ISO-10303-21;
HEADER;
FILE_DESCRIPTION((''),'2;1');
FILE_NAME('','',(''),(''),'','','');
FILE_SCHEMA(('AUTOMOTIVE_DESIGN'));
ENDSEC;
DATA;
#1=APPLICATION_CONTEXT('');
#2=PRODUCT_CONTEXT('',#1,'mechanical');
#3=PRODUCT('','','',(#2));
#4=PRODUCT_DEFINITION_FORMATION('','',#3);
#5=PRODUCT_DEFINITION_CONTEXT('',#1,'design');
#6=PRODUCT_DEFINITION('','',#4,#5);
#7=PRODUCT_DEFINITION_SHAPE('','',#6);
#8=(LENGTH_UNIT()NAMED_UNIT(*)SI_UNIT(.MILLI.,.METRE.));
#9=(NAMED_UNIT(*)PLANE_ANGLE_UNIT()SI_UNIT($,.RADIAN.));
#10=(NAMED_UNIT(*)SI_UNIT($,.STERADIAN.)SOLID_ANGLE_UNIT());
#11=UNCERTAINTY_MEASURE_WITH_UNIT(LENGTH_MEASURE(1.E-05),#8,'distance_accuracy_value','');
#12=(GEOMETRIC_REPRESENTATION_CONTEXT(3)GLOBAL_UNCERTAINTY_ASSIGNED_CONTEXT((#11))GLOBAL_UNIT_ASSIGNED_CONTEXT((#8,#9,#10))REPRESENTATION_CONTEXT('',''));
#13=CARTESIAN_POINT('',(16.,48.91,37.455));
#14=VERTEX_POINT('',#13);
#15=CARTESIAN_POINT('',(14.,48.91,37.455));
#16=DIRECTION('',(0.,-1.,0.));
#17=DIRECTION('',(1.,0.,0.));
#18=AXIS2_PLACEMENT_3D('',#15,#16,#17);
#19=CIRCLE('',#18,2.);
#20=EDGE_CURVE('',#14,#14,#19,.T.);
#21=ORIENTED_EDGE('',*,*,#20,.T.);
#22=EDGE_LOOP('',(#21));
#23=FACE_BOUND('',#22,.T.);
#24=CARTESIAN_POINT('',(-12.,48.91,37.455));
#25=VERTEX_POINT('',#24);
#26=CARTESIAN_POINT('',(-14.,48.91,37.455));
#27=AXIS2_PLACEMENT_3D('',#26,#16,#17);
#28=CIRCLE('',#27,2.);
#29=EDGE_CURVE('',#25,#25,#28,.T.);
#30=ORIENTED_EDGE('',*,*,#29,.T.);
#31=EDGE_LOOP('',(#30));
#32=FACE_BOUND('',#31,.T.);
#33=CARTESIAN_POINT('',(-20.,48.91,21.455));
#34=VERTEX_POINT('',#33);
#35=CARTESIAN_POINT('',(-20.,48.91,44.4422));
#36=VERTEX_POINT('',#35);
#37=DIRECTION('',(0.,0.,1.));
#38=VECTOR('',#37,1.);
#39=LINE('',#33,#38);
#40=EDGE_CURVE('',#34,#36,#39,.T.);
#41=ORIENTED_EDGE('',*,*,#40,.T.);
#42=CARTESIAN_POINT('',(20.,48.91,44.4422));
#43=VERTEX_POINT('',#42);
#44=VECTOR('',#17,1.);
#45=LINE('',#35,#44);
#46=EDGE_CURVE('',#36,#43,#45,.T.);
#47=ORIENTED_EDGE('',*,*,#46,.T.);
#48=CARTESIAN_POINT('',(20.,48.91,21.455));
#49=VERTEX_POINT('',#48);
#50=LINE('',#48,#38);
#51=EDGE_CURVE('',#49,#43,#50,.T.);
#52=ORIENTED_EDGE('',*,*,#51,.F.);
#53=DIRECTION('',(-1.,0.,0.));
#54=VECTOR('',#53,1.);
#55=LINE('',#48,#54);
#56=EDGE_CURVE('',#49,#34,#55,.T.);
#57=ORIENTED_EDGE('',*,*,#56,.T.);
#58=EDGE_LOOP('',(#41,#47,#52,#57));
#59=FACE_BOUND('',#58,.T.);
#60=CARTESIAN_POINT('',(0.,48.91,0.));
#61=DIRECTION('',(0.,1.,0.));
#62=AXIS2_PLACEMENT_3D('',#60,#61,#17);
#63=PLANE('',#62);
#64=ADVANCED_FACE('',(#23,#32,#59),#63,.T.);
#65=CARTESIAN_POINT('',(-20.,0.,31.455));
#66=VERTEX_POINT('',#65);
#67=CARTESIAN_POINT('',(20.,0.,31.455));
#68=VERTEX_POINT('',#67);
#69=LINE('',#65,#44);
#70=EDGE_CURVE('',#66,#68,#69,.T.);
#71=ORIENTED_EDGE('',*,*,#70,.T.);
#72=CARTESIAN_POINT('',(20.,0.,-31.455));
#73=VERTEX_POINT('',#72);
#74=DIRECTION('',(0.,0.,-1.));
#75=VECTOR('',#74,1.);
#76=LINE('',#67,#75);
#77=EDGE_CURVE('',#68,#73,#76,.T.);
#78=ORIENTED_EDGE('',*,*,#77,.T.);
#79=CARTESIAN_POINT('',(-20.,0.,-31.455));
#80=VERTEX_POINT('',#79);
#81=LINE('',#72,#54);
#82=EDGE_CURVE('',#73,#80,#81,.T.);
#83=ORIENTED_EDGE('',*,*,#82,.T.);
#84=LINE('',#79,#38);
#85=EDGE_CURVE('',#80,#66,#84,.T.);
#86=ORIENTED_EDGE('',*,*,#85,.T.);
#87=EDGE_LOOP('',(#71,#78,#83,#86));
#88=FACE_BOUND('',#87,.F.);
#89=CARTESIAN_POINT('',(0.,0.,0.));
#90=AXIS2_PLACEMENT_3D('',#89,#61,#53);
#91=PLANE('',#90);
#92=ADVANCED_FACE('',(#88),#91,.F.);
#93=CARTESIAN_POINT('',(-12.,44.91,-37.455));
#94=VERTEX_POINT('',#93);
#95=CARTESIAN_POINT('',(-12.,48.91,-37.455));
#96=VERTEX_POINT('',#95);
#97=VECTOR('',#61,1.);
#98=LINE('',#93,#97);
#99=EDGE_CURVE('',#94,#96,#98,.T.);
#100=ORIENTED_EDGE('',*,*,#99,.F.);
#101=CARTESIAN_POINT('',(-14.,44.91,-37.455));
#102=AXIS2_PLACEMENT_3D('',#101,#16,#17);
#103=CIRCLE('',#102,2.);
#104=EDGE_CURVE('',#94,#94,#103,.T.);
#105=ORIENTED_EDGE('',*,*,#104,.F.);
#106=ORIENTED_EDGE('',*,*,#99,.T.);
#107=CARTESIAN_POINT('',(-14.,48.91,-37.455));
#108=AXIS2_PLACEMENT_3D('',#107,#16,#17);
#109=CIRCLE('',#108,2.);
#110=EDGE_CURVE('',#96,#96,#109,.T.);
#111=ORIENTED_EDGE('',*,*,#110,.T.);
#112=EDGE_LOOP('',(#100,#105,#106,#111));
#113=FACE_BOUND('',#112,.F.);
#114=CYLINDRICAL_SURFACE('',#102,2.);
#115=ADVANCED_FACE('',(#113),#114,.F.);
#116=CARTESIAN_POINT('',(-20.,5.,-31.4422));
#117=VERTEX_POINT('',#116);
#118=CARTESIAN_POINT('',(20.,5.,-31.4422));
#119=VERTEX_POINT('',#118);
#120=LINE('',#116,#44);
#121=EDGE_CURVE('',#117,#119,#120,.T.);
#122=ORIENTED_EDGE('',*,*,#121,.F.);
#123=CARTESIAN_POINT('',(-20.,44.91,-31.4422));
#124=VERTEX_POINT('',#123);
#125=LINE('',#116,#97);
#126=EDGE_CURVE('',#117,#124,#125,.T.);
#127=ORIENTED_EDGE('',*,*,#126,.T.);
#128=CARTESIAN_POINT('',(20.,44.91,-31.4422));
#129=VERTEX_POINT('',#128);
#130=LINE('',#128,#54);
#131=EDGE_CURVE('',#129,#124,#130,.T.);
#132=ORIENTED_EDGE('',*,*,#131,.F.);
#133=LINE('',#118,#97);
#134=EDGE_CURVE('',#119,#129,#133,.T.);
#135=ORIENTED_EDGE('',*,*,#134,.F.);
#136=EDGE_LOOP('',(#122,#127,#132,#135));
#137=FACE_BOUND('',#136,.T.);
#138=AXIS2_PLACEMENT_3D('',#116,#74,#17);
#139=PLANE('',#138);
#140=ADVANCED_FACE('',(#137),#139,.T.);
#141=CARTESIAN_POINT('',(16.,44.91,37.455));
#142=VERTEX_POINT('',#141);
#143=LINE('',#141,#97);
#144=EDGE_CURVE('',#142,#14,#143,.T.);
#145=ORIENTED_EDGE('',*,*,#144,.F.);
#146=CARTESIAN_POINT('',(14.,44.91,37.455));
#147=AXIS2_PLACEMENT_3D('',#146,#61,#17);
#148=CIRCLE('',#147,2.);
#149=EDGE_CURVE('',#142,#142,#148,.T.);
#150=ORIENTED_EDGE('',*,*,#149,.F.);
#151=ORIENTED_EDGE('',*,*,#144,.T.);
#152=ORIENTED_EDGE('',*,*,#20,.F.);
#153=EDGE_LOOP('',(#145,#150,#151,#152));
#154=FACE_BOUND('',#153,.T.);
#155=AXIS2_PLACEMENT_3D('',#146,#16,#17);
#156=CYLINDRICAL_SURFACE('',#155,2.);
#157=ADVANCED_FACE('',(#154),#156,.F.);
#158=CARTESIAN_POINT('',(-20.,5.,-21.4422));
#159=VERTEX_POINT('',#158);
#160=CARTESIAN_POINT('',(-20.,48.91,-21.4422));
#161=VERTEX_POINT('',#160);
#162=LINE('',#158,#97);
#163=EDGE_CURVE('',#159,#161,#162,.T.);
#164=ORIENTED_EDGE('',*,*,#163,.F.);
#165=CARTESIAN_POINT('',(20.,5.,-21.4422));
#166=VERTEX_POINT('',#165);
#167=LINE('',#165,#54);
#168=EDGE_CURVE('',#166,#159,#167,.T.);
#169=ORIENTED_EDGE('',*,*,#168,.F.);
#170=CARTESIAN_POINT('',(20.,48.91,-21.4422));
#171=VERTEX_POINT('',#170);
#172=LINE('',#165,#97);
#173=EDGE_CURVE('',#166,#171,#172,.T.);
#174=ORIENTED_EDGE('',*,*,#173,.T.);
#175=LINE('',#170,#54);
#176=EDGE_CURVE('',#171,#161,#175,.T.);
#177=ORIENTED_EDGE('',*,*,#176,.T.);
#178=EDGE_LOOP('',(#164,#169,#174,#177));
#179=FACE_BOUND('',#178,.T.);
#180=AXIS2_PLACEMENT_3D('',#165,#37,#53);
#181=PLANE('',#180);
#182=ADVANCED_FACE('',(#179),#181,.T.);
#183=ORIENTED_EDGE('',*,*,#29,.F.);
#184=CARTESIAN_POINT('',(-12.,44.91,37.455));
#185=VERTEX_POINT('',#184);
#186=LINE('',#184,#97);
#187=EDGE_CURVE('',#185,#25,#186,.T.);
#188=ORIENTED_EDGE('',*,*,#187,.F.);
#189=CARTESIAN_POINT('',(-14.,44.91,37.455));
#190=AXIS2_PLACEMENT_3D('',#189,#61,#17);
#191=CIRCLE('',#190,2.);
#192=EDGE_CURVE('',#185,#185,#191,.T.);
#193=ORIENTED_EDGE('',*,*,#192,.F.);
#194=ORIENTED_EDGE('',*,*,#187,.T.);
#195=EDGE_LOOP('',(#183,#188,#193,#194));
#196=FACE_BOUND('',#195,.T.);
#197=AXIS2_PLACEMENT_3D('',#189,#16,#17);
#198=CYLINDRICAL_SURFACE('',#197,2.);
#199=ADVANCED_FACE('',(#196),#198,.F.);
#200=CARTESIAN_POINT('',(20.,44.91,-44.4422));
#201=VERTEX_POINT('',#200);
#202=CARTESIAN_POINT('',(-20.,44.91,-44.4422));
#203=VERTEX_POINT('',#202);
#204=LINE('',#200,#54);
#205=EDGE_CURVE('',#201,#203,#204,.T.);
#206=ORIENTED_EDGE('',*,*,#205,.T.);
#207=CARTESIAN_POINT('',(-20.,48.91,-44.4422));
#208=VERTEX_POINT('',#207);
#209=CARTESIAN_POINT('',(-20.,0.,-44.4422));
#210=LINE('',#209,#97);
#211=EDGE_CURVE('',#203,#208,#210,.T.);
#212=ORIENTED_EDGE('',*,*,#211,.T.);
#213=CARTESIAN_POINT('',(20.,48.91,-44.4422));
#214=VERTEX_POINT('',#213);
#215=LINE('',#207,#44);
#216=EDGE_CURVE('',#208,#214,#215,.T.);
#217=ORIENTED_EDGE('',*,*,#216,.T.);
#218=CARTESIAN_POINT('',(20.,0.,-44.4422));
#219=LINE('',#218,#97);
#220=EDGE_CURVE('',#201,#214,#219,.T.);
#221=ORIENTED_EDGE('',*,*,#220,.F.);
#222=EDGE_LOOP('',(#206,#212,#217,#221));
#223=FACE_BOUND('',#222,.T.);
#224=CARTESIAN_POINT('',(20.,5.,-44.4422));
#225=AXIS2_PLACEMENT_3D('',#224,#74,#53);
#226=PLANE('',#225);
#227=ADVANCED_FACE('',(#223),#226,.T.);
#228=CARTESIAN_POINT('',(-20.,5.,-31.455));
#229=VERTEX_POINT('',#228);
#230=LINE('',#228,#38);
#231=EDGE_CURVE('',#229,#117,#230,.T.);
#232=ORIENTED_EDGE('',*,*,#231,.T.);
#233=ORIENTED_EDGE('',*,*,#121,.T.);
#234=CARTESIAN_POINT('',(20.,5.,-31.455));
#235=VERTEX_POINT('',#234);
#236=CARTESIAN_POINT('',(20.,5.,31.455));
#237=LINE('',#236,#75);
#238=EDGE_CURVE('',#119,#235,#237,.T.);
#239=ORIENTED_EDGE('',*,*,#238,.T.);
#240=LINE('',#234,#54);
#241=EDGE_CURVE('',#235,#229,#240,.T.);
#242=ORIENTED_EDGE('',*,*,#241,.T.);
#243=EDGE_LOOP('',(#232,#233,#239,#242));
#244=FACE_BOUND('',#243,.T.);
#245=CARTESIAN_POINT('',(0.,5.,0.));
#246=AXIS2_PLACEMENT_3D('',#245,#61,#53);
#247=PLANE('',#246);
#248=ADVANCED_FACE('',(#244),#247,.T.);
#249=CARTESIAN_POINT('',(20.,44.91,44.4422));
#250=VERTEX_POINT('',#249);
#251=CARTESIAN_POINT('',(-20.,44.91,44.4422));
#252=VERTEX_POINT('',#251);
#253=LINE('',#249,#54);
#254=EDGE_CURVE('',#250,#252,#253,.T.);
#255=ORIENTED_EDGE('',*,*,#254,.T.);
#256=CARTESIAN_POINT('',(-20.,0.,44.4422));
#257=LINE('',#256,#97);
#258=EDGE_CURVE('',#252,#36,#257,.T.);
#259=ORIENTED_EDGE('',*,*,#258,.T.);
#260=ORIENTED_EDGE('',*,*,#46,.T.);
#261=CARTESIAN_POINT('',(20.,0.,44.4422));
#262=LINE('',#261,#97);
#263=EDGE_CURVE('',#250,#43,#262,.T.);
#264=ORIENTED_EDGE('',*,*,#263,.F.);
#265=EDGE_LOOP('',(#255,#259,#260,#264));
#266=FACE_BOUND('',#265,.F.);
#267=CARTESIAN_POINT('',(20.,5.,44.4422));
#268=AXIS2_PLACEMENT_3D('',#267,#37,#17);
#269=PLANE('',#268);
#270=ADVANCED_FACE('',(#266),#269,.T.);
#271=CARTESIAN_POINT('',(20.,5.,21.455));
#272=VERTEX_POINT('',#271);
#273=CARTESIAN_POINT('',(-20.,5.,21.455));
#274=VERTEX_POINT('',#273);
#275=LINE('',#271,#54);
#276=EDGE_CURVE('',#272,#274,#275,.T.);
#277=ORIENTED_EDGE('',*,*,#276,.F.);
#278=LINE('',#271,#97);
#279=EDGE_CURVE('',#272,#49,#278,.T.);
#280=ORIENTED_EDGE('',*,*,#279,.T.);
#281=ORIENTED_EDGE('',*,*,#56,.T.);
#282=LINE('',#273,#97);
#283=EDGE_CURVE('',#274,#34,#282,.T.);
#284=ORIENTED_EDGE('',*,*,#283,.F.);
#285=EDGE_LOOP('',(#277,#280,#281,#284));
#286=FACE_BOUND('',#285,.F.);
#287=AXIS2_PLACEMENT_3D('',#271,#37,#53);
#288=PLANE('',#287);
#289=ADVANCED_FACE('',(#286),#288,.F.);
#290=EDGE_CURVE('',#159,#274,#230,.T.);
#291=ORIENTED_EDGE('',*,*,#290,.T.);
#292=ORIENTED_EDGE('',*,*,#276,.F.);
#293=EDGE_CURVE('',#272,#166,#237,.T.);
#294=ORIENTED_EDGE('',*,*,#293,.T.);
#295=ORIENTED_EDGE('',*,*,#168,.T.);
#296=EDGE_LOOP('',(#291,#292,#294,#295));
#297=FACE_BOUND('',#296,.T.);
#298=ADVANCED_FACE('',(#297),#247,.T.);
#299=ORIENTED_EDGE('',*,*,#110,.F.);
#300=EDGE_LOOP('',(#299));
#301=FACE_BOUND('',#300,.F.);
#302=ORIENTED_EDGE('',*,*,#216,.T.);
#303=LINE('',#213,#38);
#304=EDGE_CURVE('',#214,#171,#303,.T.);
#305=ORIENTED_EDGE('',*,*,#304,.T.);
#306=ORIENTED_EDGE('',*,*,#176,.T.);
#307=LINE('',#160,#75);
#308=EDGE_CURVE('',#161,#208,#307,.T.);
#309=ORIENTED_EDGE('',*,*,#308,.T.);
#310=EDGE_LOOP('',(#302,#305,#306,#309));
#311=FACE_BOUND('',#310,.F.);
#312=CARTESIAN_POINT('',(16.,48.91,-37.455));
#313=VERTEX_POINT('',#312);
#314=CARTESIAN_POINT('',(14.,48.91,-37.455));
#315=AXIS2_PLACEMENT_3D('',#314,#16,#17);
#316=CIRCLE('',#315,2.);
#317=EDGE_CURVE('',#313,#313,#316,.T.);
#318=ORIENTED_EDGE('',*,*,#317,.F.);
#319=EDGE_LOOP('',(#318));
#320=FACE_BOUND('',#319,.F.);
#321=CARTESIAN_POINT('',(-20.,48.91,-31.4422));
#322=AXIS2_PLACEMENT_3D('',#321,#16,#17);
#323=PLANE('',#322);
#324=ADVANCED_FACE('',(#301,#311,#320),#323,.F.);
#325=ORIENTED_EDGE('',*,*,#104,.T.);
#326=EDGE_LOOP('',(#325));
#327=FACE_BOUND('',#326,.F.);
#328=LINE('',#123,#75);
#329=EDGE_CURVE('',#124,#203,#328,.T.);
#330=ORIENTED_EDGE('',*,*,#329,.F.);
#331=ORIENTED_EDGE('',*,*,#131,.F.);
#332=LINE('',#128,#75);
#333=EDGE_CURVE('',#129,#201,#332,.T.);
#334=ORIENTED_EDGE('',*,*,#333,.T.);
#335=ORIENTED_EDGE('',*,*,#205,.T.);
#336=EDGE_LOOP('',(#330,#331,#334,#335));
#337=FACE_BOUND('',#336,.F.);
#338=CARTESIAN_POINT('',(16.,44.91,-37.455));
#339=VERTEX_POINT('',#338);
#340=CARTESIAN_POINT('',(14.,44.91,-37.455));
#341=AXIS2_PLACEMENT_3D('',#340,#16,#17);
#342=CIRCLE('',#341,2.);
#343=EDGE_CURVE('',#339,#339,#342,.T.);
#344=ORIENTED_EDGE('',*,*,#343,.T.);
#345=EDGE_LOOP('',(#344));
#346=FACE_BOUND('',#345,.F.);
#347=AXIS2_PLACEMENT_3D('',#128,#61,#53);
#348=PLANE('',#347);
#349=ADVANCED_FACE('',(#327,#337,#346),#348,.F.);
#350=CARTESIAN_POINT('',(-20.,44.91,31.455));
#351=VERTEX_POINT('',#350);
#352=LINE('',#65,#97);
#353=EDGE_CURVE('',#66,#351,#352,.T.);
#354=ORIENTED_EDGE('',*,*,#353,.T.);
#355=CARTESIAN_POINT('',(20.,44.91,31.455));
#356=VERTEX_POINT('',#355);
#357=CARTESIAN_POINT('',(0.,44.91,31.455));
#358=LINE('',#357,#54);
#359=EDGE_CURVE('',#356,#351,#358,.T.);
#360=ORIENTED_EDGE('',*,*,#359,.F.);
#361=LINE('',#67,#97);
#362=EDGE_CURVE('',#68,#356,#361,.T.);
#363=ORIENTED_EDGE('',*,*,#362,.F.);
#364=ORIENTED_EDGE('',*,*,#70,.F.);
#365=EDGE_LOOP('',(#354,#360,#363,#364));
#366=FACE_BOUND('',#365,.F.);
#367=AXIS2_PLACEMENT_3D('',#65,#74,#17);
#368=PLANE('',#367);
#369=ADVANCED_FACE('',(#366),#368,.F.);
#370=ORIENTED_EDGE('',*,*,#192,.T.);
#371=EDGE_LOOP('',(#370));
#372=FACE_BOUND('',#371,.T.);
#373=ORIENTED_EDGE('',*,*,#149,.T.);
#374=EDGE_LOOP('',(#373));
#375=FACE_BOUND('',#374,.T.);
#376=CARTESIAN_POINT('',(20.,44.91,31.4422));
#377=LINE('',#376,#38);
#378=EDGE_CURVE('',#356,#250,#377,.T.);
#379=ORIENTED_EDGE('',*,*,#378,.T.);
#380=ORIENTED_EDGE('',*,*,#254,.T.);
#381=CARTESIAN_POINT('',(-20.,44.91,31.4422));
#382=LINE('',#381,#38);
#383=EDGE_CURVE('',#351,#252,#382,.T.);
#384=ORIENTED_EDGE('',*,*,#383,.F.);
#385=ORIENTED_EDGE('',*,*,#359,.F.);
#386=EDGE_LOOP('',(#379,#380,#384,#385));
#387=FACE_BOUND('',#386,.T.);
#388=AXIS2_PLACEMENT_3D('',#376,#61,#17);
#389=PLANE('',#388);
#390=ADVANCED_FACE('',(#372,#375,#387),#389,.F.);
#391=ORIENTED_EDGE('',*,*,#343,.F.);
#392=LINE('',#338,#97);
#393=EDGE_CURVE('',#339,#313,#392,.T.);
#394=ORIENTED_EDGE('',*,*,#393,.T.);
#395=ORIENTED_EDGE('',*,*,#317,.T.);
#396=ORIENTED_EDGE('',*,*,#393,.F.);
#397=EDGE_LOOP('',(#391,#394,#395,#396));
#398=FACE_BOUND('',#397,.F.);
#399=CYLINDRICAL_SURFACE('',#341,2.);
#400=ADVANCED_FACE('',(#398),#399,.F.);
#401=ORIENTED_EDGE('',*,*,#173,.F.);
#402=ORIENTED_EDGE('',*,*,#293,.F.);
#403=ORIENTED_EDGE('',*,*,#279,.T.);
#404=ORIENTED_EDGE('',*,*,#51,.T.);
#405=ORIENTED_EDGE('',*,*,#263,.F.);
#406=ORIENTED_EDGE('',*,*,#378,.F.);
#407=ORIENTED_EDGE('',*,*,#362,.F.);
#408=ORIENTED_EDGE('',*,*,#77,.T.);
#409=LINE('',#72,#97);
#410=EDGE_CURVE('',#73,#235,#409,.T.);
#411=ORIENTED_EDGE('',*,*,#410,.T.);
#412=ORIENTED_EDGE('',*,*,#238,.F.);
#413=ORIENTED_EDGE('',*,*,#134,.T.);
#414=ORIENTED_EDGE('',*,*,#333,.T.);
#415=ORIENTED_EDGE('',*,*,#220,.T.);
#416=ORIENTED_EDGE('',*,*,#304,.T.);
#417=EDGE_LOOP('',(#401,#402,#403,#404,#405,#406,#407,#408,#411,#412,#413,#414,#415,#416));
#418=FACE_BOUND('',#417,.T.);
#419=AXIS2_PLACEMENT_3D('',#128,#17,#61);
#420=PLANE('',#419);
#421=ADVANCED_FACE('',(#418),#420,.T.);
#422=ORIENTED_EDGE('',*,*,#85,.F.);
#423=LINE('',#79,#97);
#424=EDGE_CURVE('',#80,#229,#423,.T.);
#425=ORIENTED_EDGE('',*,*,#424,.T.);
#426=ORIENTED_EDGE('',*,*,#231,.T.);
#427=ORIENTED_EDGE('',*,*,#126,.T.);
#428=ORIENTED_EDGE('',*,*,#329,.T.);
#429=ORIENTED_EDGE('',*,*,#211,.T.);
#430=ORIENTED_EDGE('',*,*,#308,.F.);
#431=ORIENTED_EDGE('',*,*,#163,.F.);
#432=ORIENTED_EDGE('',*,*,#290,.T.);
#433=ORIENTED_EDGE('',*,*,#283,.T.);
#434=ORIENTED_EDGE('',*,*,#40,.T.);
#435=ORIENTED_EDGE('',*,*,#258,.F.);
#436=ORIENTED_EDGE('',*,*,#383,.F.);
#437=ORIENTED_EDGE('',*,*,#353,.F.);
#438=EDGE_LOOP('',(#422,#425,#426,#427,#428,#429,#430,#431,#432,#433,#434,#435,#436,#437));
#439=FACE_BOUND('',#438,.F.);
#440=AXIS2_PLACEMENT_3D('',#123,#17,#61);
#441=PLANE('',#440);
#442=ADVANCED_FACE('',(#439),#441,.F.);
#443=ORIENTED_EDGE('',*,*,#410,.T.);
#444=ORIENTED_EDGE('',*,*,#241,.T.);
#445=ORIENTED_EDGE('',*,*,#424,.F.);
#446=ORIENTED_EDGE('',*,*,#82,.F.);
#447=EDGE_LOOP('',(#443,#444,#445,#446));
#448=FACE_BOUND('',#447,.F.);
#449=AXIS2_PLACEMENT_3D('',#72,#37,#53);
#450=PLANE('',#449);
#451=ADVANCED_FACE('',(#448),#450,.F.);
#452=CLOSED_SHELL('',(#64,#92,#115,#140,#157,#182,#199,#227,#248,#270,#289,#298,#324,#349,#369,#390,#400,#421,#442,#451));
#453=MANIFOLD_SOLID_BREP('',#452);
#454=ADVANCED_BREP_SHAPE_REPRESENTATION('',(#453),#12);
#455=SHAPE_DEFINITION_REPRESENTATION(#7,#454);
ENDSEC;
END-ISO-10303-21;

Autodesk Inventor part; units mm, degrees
ref_plane "YZ Plane" through (0, 0, 0) normal (1, 0, 0) x (0, 1, 0)
ref_plane "XZ Plane" through (0, 0, 0) normal (0, 1, 0) x (-1, 0, 0)
sketch "Sketch1" plane through (0, 0, 0) normal (0, 1, 0) x (-1, 0, 0)
  line L0 (20, 31.455) -> (-20, 31.455)
  line L1 (-20, 31.455) -> (-20, -31.455)
  line L2 (-20, -31.455) -> (20, -31.455)
  line L3 (20, -31.455) -> (20, 31.455)
  point P0 (0, 0)
  point P1 (0, 31.455)
  point P2 (20, 0)
  dimension "d0" = 40
  dimension "d1" = 62.91
extrude "Extrusion1" add sketch "Sketch1" along normal blind 5
sketch "Sketch2" plane through (0, 5, 0) normal (0, 1, 0) x (1, 0, 0)
  line L0 (-20, -31.455) -> (20, -31.455) projected
  line L1 (20, -31.455) -> (20, 31.455) projected
  line L2 (-20, -31.455) -> (20, -31.455)
  line L3 (20, -31.455) -> (20, -21.455)
  line L4 (20, -21.455) -> (-20, -21.455)
  line L5 (-20, -21.455) -> (-20, -31.455)
  line L6 (-20, 31.4422) -> (20, 31.4422)
  line L7 (20, 31.4422) -> (20, 21.4422)
  line L8 (20, 21.4422) -> (-20, 21.4422)
  line L9 (-20, 21.4422) -> (-20, 31.4422)
  line L10 (20, 31.455) -> (-20, 31.455) projected
  point P0 (0, 0)
  dimension "d4" = 10
  dimension "d5" = 10
  dimension "d6" = 0.0128
  dimension "d7" = 40
extrude "Extrusion2" add sketch "Sketch2" along normal blind 43.91
sketch "Sketch3" plane through (20, 5, -31.4422) normal (0, 0, -1) x (-1, 0, 0)
  line L0 (40, -5) -> (40, 43.91) projected
  line L1 (0, -5) -> (0, 43.91) projected
  line L2 (40, 43.91) -> (0, 43.91)
  line L3 (0, 43.91) -> (0, 39.91)
  line L4 (0, 39.91) -> (40, 39.91)
  line L5 (40, 39.91) -> (40, 43.91)
  point P0 (20, -5)
  dimension "d10" = 4
extrude "Extrusion3" add sketch "Sketch3" along normal blind 13
sketch "Sketch5" plane through (-20, 44.91, -31.4422) normal (0, -1, 0) x (1, 0, 0)
  circle A0 centre (34, -6.0128) radius 2
  circle A1 centre (6, -6.0128) radius 2
  line L0 (40, 0) -> (40, -13) projected
  line L1 (0, 0) -> (0, -13) projected
  line L2 (40, -0.0128) -> (0, -0.0128) projected
  point P0 (20, 31.4422)
  dimension "d17" = 4
  dimension "d18" = 4
  dimension "d19" = 6
  dimension "d20" = 6
  dimension "d21" = 6
extrude "Extrusion5" cut sketch "Sketch5" against normal through all
mirror "Mirror1" about plane through (0, 0, 0) normal (0, 0, 1) of "Extrusion3", "Extrusion5"
properties part number "BaseClamp"
